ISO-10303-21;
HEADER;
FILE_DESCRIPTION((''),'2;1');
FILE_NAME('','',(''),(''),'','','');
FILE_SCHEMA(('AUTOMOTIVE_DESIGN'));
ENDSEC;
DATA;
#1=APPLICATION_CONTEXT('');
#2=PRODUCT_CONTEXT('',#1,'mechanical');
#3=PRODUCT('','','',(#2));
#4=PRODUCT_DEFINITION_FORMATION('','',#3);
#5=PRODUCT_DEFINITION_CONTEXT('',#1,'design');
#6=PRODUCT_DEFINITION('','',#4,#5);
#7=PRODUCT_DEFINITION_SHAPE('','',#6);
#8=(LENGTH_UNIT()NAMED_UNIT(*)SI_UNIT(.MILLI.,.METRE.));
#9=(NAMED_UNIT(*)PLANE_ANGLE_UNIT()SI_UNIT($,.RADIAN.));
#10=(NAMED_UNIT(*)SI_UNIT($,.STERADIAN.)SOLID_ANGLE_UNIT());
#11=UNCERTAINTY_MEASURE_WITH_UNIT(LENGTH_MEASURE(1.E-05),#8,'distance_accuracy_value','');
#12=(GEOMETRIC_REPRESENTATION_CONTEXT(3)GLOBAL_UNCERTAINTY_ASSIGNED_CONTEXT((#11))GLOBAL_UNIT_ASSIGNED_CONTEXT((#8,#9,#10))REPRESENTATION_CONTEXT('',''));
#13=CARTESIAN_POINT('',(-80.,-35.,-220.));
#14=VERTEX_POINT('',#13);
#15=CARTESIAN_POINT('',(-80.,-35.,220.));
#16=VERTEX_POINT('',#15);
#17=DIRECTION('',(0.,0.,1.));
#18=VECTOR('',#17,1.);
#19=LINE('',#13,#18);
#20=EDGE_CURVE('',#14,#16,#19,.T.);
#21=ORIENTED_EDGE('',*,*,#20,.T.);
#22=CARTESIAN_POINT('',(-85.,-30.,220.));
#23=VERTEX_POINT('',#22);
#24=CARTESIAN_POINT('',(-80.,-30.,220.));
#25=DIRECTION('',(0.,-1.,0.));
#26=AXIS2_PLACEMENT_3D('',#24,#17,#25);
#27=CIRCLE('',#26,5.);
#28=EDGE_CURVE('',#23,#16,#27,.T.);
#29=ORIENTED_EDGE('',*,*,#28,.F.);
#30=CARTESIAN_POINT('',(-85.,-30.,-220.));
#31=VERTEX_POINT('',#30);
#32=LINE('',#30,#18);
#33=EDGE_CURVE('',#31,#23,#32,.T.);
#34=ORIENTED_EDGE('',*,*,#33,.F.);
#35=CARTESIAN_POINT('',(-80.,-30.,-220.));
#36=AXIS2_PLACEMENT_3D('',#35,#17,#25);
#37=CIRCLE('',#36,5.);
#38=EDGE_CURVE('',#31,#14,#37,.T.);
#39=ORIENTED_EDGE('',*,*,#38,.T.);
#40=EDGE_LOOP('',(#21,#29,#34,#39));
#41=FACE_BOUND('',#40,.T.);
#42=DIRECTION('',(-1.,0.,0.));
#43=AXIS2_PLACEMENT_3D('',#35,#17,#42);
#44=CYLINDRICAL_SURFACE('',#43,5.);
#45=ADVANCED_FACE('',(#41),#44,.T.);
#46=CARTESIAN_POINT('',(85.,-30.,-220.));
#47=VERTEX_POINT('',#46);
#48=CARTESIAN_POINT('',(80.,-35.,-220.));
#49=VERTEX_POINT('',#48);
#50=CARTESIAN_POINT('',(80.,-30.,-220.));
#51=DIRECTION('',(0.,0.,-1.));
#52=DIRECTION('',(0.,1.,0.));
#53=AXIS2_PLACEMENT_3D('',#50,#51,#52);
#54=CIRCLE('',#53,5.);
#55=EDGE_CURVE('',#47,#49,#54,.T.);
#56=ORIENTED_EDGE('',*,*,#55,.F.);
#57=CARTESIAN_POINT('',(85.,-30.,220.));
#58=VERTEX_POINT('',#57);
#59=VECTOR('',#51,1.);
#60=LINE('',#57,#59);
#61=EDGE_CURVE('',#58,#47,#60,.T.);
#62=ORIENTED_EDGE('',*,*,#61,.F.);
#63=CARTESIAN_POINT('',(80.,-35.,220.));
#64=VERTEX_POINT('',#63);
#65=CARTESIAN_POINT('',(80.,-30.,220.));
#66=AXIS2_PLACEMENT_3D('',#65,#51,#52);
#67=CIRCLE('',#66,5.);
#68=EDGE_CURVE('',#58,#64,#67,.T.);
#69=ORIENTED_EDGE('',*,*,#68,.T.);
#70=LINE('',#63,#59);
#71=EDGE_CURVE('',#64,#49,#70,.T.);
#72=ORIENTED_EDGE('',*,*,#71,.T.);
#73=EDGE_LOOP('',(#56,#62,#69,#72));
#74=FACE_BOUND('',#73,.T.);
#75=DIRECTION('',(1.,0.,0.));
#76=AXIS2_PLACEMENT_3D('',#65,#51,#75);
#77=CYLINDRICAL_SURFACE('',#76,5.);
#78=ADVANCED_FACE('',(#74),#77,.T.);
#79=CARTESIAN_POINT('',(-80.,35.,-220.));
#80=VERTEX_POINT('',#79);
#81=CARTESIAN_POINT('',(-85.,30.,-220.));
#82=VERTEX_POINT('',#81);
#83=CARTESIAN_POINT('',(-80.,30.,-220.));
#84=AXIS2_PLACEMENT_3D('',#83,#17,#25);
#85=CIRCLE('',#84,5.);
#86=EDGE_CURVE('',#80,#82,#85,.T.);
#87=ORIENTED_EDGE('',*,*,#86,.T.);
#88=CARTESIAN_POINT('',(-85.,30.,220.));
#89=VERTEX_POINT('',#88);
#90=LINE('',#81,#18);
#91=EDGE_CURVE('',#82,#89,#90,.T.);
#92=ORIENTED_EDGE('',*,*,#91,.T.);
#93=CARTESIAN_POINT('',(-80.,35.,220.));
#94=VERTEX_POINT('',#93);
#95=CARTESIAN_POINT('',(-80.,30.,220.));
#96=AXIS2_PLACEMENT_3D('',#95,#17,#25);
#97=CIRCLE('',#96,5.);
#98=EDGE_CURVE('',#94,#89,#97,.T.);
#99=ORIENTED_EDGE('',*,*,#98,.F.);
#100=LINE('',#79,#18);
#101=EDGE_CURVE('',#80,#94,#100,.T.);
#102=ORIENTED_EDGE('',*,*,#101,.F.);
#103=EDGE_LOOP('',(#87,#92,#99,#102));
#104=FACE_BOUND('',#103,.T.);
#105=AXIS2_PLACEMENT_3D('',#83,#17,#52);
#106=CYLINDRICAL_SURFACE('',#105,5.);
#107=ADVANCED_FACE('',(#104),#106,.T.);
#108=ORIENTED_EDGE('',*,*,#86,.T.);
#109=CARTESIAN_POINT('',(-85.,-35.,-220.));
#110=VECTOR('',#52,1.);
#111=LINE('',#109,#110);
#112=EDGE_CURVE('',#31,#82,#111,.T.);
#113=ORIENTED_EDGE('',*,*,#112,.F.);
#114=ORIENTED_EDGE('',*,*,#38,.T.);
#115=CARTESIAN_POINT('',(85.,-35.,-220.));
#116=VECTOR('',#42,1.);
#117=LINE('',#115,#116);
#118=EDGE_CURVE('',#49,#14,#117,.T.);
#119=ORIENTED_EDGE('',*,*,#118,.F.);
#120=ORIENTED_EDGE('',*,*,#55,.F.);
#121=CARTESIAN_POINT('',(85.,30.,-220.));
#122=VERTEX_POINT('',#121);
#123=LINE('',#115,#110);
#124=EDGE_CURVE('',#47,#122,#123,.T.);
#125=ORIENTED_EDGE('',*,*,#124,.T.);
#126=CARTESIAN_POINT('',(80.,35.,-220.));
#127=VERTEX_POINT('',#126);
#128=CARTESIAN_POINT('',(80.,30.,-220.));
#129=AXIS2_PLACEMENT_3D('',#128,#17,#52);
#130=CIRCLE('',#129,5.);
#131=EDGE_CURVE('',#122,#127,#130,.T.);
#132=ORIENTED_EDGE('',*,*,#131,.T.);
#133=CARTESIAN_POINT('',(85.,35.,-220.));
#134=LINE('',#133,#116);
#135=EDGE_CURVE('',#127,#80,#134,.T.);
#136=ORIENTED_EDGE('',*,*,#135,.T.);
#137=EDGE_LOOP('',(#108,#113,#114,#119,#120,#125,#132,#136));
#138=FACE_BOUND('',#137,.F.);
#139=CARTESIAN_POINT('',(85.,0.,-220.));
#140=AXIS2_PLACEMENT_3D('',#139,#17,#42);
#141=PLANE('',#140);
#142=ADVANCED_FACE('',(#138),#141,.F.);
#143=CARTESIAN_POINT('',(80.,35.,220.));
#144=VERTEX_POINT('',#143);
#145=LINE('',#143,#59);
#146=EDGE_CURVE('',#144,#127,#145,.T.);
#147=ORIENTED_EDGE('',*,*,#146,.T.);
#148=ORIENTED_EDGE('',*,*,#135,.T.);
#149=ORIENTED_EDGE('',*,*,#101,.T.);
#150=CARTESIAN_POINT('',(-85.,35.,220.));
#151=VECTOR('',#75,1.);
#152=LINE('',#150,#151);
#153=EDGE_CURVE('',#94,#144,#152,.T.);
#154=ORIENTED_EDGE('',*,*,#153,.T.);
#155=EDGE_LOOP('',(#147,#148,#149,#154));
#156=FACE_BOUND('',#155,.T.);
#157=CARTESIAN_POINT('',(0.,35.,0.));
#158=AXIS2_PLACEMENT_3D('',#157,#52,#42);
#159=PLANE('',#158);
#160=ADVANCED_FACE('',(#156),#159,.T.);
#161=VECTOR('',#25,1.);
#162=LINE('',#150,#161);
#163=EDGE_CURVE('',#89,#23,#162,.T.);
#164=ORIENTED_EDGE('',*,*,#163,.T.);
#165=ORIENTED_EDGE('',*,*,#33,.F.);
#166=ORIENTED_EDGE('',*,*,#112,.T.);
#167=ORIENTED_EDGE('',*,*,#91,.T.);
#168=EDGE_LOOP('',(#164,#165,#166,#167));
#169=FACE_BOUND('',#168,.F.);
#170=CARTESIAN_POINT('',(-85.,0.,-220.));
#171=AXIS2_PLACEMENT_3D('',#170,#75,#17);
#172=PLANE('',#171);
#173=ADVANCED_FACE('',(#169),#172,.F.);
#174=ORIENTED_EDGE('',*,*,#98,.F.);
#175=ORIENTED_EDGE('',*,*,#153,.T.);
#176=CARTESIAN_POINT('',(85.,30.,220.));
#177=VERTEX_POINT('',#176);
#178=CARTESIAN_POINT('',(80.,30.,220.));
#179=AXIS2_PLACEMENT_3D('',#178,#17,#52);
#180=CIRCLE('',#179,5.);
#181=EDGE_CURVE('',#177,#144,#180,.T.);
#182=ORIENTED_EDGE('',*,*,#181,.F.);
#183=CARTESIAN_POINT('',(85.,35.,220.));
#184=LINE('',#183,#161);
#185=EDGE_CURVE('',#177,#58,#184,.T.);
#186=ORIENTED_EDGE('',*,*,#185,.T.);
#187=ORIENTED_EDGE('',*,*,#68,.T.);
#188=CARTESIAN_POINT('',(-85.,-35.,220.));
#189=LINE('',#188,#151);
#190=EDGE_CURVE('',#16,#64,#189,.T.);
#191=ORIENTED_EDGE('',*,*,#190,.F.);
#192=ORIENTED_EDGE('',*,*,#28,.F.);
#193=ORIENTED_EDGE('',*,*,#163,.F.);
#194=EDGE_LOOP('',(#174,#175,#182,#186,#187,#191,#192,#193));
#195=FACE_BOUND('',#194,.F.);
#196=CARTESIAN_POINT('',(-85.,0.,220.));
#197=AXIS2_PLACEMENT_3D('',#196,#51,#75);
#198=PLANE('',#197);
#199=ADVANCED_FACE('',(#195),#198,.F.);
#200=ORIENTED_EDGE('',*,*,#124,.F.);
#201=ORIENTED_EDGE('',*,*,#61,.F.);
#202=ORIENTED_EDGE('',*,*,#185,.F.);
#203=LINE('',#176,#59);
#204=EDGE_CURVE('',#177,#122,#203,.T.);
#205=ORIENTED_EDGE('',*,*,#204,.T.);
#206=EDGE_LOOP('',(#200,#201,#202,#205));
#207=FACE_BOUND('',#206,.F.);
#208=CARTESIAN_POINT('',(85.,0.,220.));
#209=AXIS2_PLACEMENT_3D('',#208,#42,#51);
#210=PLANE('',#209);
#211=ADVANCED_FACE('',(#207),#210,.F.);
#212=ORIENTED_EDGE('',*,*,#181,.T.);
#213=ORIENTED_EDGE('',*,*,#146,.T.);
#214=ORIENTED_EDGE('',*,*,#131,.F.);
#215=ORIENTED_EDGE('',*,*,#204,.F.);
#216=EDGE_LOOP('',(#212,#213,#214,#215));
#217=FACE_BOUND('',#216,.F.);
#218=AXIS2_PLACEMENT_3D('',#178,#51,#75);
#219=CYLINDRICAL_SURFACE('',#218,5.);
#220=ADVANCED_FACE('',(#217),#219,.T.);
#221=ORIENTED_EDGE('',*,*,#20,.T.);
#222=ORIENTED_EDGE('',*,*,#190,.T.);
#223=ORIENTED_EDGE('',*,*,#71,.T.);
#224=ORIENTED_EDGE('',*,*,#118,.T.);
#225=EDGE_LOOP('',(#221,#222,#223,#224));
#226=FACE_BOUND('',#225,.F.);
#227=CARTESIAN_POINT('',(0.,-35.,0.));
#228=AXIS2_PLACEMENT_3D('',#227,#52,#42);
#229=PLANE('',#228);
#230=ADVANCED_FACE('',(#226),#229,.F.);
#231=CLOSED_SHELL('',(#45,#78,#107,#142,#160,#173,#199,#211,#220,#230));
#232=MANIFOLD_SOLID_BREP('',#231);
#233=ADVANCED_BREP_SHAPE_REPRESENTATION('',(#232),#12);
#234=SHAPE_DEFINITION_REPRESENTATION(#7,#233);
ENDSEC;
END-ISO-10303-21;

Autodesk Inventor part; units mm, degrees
ref_plane "YZ Plane" through (0, 0, 0) normal (1, 0, 0) x (0, 1, 0)
ref_plane "XZ Plane" through (0, 0, 0) normal (0, 1, 0) x (-1, 0, 0)
ref_plane "XY Plane" through (0, 0, 0) normal (0, 0, 1) x (1, 0, 0)
sketch "Esquisse1" plane through (0, 0, 0) normal (0, 1, 0) x (-1, 0, 0)
  line L0 (0, -308) -> (0, 308) construction
  line L1 (-119, 0) -> (119, 0) construction
  line L2 (-85, -220) -> (85, -220)
  line L3 (85, -220) -> (85, 220)
  line L4 (85, 220) -> (-85, 220)
  line L5 (-85, 220) -> (-85, -220)
  line L6 (-85, -220) -> (85, 220) construction
  line L7 (85, -220) -> (-85, 220) construction
  point P0 (0, 0)
  dimension "d0" = 170
  dimension "d1" = 440
extrude "Extrusion1" add sketch "Esquisse1" along normal mid plane 70
fillet "Congé1" radius 5 4 edges at (85, -35, 0) (85, 35, 0) (-85, -35, 0) (-85, 35, 0)
properties part number "Casing_Generator"
